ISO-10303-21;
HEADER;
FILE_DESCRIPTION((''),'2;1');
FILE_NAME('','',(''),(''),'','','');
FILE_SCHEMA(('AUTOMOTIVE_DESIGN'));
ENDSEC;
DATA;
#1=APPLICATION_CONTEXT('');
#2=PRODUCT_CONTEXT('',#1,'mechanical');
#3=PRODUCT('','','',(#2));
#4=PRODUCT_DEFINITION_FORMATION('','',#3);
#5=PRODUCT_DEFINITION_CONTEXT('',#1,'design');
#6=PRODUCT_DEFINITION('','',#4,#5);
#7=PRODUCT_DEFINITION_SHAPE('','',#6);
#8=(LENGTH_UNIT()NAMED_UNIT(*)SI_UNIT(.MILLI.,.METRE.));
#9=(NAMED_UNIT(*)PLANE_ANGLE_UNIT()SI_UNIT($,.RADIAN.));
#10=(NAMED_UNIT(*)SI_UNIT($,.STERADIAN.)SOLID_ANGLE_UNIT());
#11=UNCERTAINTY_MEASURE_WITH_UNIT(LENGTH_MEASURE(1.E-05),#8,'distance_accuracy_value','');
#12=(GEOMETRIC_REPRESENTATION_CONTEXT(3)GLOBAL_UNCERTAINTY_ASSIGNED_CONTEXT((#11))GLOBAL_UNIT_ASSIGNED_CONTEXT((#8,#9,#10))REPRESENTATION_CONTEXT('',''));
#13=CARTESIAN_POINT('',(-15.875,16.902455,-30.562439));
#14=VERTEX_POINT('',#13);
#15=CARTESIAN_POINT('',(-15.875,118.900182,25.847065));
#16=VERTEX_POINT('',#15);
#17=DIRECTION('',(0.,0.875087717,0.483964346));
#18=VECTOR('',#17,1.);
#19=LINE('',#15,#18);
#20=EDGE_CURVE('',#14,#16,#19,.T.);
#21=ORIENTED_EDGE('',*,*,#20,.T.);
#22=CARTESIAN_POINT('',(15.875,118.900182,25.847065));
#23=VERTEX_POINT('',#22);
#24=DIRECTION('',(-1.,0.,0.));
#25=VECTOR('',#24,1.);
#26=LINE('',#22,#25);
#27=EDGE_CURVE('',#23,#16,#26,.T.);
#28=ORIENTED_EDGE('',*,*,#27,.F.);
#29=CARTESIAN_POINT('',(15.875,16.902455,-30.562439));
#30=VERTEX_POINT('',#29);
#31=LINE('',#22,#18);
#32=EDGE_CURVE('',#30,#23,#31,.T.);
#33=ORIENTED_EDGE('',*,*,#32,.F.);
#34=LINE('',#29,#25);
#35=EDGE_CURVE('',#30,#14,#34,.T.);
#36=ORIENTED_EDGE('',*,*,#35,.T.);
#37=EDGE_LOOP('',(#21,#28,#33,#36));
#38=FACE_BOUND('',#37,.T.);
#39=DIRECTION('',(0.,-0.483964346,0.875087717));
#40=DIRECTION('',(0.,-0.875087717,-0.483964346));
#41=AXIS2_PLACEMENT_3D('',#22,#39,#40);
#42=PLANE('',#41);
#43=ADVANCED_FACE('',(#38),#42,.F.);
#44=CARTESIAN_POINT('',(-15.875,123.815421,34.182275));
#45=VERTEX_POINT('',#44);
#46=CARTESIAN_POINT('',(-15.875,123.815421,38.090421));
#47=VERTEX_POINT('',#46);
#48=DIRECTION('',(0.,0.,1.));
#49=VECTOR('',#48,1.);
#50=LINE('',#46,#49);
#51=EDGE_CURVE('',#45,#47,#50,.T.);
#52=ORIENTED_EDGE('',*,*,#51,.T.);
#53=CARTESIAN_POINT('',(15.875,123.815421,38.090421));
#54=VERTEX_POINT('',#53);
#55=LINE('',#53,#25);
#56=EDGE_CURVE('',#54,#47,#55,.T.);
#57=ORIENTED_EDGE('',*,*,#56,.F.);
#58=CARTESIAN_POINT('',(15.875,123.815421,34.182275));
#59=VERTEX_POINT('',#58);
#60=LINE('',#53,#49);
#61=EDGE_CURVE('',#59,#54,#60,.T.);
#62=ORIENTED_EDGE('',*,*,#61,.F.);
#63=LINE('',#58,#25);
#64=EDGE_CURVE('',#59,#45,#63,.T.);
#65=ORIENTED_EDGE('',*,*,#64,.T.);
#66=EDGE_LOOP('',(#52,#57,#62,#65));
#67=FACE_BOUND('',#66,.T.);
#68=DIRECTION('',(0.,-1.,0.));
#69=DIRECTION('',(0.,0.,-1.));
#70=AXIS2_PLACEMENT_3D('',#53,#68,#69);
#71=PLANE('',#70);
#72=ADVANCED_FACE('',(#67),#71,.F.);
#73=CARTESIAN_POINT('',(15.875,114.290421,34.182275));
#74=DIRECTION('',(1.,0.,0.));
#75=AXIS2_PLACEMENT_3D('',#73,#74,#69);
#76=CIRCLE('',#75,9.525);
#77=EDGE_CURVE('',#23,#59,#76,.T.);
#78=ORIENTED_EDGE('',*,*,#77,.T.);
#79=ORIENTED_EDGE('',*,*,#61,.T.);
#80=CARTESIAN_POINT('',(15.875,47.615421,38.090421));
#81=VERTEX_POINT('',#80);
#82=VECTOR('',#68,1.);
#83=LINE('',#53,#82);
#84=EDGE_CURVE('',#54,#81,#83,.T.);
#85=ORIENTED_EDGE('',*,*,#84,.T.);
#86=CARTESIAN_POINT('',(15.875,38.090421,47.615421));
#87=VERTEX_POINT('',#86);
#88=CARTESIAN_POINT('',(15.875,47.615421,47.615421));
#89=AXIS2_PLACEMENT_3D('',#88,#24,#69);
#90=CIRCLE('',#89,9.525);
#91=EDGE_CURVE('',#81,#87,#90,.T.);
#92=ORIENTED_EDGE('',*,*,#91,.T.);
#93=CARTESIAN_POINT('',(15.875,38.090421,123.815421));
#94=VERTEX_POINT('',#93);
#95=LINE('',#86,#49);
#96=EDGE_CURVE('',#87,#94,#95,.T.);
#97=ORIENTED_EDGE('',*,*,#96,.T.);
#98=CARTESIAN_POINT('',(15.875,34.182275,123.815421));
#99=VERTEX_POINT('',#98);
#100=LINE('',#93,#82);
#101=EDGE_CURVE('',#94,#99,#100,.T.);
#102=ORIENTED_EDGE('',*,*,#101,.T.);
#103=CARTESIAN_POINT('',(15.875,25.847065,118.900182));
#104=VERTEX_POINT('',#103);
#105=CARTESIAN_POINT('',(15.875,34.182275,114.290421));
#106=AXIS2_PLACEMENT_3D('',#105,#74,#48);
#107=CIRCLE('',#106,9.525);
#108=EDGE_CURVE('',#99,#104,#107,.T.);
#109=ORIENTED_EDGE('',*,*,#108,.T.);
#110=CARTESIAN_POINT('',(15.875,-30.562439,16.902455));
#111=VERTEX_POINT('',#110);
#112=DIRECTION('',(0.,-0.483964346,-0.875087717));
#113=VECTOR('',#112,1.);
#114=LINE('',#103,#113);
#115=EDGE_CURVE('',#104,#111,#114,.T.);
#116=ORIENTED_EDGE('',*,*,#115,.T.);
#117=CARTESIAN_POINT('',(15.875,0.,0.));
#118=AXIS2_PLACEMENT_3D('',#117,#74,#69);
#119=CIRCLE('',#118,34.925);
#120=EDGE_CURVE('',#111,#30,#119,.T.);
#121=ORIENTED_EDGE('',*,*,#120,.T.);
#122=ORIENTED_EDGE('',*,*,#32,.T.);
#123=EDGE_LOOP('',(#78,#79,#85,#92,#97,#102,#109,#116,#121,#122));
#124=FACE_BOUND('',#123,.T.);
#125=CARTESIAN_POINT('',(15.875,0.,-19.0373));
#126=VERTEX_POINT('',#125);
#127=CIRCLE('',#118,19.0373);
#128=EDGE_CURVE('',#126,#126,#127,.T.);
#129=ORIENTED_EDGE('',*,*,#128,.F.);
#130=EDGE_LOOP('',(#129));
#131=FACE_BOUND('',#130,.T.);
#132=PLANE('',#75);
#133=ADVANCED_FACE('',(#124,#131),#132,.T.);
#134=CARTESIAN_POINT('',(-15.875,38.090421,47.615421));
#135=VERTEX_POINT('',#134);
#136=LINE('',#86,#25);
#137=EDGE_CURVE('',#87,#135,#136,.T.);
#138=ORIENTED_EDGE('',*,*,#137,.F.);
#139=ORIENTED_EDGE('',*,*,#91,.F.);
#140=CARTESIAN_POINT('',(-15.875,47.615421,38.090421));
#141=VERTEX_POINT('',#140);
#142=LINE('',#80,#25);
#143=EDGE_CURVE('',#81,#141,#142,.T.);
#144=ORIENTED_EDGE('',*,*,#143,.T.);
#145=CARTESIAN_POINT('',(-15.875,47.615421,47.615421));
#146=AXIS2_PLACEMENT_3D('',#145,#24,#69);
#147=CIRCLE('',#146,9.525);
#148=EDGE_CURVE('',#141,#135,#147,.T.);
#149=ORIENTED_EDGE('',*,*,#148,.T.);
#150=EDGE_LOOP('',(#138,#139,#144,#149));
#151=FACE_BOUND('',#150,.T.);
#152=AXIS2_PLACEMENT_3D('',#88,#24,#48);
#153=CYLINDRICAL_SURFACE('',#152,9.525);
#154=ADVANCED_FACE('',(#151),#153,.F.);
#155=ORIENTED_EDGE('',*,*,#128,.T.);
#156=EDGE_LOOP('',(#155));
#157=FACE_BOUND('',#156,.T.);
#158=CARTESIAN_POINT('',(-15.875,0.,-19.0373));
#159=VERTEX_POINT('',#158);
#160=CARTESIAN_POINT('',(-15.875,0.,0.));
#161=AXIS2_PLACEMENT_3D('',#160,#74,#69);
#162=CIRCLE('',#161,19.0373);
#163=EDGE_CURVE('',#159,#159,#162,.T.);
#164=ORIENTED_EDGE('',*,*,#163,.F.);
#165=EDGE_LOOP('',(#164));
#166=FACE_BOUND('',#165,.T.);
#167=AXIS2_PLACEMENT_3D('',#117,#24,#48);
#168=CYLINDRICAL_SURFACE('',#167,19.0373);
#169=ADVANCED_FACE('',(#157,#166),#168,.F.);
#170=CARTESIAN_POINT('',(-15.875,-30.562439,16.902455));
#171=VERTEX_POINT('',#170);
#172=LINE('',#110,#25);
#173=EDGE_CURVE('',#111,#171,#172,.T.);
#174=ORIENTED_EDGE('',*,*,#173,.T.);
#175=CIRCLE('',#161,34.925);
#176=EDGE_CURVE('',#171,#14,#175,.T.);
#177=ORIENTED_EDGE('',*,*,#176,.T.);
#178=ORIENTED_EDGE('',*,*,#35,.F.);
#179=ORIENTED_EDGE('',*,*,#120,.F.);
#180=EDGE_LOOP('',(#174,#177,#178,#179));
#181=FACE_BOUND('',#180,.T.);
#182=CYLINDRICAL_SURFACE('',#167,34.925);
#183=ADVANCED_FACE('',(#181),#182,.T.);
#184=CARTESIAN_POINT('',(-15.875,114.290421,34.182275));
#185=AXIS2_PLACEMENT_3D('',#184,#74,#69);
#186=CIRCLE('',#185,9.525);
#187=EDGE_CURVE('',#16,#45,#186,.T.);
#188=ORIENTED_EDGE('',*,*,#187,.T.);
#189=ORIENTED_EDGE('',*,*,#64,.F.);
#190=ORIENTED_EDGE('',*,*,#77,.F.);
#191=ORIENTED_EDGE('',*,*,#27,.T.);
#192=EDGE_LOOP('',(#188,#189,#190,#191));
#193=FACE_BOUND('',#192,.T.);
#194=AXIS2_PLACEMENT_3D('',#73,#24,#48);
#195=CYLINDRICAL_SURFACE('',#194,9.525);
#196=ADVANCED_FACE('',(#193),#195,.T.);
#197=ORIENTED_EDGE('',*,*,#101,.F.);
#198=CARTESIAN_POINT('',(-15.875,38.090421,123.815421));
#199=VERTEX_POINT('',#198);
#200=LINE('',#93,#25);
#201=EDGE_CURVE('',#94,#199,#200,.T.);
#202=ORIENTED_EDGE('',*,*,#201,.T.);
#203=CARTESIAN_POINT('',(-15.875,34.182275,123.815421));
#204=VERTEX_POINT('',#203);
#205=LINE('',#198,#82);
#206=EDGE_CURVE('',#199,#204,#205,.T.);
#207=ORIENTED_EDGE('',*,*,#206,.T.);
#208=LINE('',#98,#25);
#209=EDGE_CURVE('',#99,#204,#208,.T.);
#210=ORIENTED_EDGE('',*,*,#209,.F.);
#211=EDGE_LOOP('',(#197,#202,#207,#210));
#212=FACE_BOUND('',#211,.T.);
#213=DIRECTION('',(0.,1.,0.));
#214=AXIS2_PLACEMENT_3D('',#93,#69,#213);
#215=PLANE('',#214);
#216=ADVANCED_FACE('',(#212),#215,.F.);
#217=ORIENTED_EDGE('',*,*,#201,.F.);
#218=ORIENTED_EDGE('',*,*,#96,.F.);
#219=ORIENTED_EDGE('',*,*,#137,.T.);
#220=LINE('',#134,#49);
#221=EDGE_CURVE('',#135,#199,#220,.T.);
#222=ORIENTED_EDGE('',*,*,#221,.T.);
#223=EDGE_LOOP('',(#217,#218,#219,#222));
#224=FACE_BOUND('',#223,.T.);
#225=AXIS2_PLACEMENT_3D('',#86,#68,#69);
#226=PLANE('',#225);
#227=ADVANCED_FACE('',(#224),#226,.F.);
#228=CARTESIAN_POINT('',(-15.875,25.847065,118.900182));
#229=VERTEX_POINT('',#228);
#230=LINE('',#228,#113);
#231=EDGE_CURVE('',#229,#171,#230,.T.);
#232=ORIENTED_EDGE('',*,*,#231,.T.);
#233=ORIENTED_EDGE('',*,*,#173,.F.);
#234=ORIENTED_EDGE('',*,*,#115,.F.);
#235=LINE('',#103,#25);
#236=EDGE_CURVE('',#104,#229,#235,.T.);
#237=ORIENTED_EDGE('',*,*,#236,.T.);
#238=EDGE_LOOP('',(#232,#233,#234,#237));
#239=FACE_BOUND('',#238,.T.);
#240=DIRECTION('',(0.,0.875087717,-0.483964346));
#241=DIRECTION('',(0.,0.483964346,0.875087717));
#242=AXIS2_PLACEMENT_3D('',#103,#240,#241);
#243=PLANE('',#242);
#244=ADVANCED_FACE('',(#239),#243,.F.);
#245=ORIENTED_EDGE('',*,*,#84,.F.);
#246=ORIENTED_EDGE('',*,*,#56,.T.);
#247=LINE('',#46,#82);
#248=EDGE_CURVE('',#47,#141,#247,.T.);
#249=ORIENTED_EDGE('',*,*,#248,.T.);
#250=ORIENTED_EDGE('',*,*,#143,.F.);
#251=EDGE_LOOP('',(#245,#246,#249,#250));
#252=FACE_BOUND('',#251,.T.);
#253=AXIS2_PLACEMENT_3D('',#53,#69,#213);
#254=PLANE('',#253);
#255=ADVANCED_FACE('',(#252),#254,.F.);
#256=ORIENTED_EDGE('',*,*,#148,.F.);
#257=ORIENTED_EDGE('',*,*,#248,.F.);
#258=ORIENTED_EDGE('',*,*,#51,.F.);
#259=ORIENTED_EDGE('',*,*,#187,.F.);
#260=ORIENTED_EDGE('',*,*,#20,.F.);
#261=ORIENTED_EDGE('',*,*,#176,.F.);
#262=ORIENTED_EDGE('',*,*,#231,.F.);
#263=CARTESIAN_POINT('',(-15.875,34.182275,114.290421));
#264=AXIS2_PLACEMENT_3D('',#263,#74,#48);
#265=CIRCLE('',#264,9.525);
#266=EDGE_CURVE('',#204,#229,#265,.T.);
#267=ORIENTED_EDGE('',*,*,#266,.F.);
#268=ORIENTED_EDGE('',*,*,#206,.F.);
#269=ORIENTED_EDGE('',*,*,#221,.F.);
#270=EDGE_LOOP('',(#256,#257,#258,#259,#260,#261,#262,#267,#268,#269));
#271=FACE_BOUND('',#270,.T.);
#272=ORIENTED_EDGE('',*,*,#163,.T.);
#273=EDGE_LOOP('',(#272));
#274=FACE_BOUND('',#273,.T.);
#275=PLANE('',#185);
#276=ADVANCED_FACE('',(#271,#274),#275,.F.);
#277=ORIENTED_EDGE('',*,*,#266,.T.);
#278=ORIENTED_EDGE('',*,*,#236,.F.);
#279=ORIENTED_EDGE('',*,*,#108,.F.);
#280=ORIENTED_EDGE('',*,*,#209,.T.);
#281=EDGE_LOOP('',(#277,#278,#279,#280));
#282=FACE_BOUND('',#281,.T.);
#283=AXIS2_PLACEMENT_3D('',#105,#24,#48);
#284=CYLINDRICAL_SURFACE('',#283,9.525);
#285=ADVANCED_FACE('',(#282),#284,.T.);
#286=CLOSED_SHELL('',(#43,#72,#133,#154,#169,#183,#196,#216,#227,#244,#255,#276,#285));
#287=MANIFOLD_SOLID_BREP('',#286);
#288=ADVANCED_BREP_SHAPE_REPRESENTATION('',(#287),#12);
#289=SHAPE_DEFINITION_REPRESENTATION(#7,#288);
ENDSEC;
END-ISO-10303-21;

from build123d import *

# Parameters (mm, degrees)
SKETCH1_R          = 19.0373
BASE_EXTRUDE_DEPTH = 15.875


with BuildPart() as part:
    # Sketch1 → Base-Extrude (new, symmetric)
    with BuildSketch(Plane(origin=(0, 0, 0), x_dir=(0, 0, -1), z_dir=(1, 0, 0))):
        with BuildLine():
            Line((-38.090421481, 123.815421481), (-38.090421481, 47.615421481))
            ThreePointArc((-38.090421481, 47.615421481), (-40.880229391, 40.880229391), (-47.615421481, 38.090421481))
            Line((-47.615421481, 38.090421481), (-123.815421481, 38.090421481))
            Line((-123.815421481, 38.090421481), (-123.815421481, 34.182275097))
            ThreePointArc((-123.815421481, 34.182275097), (-122.495102851, 29.344007988), (-118.900181875, 25.847064595))
            Line((-118.900181875, 25.847064595), (-16.902454778, -30.562438507))
            ThreePointArc((-16.902454778, -30.562438507), (24.695704333, -24.695704333), (30.562438507, 16.902454778))
            Line((30.562438507, 16.902454778), (-25.847064595, 118.900181875))
            ThreePointArc((-25.847064595, 118.900181875), (-29.344007988, 122.495102851), (-34.182275097, 123.815421481))
            Line((-34.182275097, 123.815421481), (-38.090421481, 123.815421481))
        make_face()
        Circle(SKETCH1_R, mode=Mode.SUBTRACT)
    extrude(amount=BASE_EXTRUDE_DEPTH, both=True)


solid = part.part
